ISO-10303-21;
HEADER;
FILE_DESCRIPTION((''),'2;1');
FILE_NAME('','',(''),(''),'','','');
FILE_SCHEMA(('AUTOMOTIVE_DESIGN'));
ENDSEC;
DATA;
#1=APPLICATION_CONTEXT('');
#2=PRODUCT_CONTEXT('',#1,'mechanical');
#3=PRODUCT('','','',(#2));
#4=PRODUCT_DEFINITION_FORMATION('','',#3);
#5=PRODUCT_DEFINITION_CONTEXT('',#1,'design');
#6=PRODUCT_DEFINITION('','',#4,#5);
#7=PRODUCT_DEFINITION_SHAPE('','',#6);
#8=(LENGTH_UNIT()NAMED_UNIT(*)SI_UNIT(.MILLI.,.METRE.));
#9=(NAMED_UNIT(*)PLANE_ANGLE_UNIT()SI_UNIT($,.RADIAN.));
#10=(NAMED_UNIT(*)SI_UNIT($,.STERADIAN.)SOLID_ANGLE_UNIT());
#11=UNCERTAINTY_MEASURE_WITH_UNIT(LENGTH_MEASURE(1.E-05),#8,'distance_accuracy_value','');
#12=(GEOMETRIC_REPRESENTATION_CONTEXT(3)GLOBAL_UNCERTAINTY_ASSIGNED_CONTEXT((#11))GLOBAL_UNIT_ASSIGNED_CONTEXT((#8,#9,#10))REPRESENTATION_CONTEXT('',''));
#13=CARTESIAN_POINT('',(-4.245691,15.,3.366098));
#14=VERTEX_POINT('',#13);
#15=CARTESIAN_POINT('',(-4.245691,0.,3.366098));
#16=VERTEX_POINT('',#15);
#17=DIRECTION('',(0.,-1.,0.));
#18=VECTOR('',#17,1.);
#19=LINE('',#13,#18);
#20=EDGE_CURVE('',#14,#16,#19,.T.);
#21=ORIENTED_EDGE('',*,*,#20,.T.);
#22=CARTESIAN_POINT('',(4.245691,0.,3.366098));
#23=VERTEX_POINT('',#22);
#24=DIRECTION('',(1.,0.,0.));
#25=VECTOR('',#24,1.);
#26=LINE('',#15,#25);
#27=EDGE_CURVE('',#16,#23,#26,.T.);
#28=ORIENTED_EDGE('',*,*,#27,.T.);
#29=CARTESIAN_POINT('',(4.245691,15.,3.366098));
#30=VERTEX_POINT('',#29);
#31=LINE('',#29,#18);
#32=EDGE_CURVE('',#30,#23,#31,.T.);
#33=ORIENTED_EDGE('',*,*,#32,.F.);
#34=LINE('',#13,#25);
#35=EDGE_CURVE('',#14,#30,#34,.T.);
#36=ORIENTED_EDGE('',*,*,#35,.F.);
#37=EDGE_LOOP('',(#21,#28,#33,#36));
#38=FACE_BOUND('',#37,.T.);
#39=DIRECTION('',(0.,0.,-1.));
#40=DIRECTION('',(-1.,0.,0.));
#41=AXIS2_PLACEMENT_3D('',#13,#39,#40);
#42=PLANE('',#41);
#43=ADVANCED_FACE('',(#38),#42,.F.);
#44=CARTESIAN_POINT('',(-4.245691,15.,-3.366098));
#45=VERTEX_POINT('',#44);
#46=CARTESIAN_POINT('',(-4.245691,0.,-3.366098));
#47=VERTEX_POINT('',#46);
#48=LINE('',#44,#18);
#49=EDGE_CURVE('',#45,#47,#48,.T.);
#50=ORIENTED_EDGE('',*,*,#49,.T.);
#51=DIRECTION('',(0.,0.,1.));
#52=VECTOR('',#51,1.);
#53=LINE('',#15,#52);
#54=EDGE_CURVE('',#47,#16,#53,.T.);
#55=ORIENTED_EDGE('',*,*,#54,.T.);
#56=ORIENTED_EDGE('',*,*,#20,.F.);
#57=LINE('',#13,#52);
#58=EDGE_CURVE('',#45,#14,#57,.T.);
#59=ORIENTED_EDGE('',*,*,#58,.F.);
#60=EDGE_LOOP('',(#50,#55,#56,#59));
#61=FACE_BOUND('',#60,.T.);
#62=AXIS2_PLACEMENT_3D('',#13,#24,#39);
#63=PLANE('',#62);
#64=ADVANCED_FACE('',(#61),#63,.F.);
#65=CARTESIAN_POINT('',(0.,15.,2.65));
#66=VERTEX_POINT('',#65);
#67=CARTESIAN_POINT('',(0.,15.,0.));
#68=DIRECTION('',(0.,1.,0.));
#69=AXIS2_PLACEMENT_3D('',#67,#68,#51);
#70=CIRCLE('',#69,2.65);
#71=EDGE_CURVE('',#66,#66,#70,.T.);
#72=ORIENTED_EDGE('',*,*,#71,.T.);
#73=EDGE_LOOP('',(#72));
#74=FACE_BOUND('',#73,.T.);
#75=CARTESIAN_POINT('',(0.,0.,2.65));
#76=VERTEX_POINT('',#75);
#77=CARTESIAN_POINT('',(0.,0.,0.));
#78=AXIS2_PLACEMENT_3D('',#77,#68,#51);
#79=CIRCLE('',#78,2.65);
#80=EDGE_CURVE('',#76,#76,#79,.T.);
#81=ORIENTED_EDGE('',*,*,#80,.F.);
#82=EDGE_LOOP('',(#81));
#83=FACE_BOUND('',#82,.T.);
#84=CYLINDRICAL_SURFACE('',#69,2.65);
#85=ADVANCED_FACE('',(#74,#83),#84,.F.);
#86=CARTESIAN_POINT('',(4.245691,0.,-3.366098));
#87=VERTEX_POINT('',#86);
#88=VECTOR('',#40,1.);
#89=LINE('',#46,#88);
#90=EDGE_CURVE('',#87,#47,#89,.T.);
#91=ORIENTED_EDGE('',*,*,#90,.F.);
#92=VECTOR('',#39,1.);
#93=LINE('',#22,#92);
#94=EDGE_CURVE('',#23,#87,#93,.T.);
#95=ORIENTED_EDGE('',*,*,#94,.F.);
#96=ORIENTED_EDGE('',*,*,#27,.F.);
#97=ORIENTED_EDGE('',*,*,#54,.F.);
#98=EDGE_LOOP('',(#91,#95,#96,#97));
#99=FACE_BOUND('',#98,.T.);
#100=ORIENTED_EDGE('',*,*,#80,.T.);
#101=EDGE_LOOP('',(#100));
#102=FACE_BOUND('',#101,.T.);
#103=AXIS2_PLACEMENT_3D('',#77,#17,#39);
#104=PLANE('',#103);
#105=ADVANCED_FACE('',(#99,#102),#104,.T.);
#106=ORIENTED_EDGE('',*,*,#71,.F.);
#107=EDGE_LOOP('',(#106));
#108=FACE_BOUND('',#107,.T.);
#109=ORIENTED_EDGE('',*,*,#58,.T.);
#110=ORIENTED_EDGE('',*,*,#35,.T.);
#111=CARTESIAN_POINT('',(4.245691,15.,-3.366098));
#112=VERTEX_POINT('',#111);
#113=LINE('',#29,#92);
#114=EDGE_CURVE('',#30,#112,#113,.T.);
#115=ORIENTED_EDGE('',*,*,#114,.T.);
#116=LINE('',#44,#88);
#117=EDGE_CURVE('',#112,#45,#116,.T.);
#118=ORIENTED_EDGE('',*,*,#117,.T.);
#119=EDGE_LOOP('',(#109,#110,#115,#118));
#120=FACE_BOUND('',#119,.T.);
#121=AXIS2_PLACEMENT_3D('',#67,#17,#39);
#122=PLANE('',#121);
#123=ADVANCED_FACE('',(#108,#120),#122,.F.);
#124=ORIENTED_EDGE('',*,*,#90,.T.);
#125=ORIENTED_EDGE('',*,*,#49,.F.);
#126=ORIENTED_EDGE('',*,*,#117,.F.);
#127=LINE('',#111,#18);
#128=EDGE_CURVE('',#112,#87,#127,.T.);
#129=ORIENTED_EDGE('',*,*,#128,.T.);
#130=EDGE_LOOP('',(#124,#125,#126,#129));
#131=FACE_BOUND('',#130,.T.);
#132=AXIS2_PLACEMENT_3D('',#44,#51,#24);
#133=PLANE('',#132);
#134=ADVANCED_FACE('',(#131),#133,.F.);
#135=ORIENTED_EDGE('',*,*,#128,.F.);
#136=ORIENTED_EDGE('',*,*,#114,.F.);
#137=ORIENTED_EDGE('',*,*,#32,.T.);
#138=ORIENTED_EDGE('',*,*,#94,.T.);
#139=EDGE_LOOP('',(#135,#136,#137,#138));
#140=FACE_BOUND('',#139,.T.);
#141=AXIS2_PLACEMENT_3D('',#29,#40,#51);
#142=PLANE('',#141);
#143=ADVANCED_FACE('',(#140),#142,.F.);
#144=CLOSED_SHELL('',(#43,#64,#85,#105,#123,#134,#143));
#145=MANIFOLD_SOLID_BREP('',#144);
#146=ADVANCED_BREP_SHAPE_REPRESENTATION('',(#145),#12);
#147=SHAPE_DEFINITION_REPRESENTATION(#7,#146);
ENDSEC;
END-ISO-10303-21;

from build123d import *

# Parameters (mm, degrees)
SKETCH1_W                    = 8.491382686
SKETCH1_H                    = 6.732196236
SKETCH1_R                    = 2.5
BOSS_EXTRUDE1_DEPTH          = 15
TALADRO_DE_MARGEN_PARA_M51_D = 5.3


with BuildPart() as part:
    # Sketch1 → Boss-Extrude1 (new body)
    with BuildSketch(Plane(origin=(0, 0, 0), x_dir=(1, 0, 0), z_dir=(0, 1, 0))):
        Rectangle(SKETCH1_W, SKETCH1_H)
        with Locations(Location((0, 0, 0), (0, 0, 270))):
            Circle(SKETCH1_R, mode=Mode.SUBTRACT)
    extrude(amount=BOSS_EXTRUDE1_DEPTH)

    # Taladro de margen para M51 (through all)
    with Locations(Plane(origin=(0, 15, 0), x_dir=(1, 0, 0), z_dir=(0, 1, 0))):
        with Locations((0, 0)):
            Hole(TALADRO_DE_MARGEN_PARA_M51_D / 2)


solid = part.part
